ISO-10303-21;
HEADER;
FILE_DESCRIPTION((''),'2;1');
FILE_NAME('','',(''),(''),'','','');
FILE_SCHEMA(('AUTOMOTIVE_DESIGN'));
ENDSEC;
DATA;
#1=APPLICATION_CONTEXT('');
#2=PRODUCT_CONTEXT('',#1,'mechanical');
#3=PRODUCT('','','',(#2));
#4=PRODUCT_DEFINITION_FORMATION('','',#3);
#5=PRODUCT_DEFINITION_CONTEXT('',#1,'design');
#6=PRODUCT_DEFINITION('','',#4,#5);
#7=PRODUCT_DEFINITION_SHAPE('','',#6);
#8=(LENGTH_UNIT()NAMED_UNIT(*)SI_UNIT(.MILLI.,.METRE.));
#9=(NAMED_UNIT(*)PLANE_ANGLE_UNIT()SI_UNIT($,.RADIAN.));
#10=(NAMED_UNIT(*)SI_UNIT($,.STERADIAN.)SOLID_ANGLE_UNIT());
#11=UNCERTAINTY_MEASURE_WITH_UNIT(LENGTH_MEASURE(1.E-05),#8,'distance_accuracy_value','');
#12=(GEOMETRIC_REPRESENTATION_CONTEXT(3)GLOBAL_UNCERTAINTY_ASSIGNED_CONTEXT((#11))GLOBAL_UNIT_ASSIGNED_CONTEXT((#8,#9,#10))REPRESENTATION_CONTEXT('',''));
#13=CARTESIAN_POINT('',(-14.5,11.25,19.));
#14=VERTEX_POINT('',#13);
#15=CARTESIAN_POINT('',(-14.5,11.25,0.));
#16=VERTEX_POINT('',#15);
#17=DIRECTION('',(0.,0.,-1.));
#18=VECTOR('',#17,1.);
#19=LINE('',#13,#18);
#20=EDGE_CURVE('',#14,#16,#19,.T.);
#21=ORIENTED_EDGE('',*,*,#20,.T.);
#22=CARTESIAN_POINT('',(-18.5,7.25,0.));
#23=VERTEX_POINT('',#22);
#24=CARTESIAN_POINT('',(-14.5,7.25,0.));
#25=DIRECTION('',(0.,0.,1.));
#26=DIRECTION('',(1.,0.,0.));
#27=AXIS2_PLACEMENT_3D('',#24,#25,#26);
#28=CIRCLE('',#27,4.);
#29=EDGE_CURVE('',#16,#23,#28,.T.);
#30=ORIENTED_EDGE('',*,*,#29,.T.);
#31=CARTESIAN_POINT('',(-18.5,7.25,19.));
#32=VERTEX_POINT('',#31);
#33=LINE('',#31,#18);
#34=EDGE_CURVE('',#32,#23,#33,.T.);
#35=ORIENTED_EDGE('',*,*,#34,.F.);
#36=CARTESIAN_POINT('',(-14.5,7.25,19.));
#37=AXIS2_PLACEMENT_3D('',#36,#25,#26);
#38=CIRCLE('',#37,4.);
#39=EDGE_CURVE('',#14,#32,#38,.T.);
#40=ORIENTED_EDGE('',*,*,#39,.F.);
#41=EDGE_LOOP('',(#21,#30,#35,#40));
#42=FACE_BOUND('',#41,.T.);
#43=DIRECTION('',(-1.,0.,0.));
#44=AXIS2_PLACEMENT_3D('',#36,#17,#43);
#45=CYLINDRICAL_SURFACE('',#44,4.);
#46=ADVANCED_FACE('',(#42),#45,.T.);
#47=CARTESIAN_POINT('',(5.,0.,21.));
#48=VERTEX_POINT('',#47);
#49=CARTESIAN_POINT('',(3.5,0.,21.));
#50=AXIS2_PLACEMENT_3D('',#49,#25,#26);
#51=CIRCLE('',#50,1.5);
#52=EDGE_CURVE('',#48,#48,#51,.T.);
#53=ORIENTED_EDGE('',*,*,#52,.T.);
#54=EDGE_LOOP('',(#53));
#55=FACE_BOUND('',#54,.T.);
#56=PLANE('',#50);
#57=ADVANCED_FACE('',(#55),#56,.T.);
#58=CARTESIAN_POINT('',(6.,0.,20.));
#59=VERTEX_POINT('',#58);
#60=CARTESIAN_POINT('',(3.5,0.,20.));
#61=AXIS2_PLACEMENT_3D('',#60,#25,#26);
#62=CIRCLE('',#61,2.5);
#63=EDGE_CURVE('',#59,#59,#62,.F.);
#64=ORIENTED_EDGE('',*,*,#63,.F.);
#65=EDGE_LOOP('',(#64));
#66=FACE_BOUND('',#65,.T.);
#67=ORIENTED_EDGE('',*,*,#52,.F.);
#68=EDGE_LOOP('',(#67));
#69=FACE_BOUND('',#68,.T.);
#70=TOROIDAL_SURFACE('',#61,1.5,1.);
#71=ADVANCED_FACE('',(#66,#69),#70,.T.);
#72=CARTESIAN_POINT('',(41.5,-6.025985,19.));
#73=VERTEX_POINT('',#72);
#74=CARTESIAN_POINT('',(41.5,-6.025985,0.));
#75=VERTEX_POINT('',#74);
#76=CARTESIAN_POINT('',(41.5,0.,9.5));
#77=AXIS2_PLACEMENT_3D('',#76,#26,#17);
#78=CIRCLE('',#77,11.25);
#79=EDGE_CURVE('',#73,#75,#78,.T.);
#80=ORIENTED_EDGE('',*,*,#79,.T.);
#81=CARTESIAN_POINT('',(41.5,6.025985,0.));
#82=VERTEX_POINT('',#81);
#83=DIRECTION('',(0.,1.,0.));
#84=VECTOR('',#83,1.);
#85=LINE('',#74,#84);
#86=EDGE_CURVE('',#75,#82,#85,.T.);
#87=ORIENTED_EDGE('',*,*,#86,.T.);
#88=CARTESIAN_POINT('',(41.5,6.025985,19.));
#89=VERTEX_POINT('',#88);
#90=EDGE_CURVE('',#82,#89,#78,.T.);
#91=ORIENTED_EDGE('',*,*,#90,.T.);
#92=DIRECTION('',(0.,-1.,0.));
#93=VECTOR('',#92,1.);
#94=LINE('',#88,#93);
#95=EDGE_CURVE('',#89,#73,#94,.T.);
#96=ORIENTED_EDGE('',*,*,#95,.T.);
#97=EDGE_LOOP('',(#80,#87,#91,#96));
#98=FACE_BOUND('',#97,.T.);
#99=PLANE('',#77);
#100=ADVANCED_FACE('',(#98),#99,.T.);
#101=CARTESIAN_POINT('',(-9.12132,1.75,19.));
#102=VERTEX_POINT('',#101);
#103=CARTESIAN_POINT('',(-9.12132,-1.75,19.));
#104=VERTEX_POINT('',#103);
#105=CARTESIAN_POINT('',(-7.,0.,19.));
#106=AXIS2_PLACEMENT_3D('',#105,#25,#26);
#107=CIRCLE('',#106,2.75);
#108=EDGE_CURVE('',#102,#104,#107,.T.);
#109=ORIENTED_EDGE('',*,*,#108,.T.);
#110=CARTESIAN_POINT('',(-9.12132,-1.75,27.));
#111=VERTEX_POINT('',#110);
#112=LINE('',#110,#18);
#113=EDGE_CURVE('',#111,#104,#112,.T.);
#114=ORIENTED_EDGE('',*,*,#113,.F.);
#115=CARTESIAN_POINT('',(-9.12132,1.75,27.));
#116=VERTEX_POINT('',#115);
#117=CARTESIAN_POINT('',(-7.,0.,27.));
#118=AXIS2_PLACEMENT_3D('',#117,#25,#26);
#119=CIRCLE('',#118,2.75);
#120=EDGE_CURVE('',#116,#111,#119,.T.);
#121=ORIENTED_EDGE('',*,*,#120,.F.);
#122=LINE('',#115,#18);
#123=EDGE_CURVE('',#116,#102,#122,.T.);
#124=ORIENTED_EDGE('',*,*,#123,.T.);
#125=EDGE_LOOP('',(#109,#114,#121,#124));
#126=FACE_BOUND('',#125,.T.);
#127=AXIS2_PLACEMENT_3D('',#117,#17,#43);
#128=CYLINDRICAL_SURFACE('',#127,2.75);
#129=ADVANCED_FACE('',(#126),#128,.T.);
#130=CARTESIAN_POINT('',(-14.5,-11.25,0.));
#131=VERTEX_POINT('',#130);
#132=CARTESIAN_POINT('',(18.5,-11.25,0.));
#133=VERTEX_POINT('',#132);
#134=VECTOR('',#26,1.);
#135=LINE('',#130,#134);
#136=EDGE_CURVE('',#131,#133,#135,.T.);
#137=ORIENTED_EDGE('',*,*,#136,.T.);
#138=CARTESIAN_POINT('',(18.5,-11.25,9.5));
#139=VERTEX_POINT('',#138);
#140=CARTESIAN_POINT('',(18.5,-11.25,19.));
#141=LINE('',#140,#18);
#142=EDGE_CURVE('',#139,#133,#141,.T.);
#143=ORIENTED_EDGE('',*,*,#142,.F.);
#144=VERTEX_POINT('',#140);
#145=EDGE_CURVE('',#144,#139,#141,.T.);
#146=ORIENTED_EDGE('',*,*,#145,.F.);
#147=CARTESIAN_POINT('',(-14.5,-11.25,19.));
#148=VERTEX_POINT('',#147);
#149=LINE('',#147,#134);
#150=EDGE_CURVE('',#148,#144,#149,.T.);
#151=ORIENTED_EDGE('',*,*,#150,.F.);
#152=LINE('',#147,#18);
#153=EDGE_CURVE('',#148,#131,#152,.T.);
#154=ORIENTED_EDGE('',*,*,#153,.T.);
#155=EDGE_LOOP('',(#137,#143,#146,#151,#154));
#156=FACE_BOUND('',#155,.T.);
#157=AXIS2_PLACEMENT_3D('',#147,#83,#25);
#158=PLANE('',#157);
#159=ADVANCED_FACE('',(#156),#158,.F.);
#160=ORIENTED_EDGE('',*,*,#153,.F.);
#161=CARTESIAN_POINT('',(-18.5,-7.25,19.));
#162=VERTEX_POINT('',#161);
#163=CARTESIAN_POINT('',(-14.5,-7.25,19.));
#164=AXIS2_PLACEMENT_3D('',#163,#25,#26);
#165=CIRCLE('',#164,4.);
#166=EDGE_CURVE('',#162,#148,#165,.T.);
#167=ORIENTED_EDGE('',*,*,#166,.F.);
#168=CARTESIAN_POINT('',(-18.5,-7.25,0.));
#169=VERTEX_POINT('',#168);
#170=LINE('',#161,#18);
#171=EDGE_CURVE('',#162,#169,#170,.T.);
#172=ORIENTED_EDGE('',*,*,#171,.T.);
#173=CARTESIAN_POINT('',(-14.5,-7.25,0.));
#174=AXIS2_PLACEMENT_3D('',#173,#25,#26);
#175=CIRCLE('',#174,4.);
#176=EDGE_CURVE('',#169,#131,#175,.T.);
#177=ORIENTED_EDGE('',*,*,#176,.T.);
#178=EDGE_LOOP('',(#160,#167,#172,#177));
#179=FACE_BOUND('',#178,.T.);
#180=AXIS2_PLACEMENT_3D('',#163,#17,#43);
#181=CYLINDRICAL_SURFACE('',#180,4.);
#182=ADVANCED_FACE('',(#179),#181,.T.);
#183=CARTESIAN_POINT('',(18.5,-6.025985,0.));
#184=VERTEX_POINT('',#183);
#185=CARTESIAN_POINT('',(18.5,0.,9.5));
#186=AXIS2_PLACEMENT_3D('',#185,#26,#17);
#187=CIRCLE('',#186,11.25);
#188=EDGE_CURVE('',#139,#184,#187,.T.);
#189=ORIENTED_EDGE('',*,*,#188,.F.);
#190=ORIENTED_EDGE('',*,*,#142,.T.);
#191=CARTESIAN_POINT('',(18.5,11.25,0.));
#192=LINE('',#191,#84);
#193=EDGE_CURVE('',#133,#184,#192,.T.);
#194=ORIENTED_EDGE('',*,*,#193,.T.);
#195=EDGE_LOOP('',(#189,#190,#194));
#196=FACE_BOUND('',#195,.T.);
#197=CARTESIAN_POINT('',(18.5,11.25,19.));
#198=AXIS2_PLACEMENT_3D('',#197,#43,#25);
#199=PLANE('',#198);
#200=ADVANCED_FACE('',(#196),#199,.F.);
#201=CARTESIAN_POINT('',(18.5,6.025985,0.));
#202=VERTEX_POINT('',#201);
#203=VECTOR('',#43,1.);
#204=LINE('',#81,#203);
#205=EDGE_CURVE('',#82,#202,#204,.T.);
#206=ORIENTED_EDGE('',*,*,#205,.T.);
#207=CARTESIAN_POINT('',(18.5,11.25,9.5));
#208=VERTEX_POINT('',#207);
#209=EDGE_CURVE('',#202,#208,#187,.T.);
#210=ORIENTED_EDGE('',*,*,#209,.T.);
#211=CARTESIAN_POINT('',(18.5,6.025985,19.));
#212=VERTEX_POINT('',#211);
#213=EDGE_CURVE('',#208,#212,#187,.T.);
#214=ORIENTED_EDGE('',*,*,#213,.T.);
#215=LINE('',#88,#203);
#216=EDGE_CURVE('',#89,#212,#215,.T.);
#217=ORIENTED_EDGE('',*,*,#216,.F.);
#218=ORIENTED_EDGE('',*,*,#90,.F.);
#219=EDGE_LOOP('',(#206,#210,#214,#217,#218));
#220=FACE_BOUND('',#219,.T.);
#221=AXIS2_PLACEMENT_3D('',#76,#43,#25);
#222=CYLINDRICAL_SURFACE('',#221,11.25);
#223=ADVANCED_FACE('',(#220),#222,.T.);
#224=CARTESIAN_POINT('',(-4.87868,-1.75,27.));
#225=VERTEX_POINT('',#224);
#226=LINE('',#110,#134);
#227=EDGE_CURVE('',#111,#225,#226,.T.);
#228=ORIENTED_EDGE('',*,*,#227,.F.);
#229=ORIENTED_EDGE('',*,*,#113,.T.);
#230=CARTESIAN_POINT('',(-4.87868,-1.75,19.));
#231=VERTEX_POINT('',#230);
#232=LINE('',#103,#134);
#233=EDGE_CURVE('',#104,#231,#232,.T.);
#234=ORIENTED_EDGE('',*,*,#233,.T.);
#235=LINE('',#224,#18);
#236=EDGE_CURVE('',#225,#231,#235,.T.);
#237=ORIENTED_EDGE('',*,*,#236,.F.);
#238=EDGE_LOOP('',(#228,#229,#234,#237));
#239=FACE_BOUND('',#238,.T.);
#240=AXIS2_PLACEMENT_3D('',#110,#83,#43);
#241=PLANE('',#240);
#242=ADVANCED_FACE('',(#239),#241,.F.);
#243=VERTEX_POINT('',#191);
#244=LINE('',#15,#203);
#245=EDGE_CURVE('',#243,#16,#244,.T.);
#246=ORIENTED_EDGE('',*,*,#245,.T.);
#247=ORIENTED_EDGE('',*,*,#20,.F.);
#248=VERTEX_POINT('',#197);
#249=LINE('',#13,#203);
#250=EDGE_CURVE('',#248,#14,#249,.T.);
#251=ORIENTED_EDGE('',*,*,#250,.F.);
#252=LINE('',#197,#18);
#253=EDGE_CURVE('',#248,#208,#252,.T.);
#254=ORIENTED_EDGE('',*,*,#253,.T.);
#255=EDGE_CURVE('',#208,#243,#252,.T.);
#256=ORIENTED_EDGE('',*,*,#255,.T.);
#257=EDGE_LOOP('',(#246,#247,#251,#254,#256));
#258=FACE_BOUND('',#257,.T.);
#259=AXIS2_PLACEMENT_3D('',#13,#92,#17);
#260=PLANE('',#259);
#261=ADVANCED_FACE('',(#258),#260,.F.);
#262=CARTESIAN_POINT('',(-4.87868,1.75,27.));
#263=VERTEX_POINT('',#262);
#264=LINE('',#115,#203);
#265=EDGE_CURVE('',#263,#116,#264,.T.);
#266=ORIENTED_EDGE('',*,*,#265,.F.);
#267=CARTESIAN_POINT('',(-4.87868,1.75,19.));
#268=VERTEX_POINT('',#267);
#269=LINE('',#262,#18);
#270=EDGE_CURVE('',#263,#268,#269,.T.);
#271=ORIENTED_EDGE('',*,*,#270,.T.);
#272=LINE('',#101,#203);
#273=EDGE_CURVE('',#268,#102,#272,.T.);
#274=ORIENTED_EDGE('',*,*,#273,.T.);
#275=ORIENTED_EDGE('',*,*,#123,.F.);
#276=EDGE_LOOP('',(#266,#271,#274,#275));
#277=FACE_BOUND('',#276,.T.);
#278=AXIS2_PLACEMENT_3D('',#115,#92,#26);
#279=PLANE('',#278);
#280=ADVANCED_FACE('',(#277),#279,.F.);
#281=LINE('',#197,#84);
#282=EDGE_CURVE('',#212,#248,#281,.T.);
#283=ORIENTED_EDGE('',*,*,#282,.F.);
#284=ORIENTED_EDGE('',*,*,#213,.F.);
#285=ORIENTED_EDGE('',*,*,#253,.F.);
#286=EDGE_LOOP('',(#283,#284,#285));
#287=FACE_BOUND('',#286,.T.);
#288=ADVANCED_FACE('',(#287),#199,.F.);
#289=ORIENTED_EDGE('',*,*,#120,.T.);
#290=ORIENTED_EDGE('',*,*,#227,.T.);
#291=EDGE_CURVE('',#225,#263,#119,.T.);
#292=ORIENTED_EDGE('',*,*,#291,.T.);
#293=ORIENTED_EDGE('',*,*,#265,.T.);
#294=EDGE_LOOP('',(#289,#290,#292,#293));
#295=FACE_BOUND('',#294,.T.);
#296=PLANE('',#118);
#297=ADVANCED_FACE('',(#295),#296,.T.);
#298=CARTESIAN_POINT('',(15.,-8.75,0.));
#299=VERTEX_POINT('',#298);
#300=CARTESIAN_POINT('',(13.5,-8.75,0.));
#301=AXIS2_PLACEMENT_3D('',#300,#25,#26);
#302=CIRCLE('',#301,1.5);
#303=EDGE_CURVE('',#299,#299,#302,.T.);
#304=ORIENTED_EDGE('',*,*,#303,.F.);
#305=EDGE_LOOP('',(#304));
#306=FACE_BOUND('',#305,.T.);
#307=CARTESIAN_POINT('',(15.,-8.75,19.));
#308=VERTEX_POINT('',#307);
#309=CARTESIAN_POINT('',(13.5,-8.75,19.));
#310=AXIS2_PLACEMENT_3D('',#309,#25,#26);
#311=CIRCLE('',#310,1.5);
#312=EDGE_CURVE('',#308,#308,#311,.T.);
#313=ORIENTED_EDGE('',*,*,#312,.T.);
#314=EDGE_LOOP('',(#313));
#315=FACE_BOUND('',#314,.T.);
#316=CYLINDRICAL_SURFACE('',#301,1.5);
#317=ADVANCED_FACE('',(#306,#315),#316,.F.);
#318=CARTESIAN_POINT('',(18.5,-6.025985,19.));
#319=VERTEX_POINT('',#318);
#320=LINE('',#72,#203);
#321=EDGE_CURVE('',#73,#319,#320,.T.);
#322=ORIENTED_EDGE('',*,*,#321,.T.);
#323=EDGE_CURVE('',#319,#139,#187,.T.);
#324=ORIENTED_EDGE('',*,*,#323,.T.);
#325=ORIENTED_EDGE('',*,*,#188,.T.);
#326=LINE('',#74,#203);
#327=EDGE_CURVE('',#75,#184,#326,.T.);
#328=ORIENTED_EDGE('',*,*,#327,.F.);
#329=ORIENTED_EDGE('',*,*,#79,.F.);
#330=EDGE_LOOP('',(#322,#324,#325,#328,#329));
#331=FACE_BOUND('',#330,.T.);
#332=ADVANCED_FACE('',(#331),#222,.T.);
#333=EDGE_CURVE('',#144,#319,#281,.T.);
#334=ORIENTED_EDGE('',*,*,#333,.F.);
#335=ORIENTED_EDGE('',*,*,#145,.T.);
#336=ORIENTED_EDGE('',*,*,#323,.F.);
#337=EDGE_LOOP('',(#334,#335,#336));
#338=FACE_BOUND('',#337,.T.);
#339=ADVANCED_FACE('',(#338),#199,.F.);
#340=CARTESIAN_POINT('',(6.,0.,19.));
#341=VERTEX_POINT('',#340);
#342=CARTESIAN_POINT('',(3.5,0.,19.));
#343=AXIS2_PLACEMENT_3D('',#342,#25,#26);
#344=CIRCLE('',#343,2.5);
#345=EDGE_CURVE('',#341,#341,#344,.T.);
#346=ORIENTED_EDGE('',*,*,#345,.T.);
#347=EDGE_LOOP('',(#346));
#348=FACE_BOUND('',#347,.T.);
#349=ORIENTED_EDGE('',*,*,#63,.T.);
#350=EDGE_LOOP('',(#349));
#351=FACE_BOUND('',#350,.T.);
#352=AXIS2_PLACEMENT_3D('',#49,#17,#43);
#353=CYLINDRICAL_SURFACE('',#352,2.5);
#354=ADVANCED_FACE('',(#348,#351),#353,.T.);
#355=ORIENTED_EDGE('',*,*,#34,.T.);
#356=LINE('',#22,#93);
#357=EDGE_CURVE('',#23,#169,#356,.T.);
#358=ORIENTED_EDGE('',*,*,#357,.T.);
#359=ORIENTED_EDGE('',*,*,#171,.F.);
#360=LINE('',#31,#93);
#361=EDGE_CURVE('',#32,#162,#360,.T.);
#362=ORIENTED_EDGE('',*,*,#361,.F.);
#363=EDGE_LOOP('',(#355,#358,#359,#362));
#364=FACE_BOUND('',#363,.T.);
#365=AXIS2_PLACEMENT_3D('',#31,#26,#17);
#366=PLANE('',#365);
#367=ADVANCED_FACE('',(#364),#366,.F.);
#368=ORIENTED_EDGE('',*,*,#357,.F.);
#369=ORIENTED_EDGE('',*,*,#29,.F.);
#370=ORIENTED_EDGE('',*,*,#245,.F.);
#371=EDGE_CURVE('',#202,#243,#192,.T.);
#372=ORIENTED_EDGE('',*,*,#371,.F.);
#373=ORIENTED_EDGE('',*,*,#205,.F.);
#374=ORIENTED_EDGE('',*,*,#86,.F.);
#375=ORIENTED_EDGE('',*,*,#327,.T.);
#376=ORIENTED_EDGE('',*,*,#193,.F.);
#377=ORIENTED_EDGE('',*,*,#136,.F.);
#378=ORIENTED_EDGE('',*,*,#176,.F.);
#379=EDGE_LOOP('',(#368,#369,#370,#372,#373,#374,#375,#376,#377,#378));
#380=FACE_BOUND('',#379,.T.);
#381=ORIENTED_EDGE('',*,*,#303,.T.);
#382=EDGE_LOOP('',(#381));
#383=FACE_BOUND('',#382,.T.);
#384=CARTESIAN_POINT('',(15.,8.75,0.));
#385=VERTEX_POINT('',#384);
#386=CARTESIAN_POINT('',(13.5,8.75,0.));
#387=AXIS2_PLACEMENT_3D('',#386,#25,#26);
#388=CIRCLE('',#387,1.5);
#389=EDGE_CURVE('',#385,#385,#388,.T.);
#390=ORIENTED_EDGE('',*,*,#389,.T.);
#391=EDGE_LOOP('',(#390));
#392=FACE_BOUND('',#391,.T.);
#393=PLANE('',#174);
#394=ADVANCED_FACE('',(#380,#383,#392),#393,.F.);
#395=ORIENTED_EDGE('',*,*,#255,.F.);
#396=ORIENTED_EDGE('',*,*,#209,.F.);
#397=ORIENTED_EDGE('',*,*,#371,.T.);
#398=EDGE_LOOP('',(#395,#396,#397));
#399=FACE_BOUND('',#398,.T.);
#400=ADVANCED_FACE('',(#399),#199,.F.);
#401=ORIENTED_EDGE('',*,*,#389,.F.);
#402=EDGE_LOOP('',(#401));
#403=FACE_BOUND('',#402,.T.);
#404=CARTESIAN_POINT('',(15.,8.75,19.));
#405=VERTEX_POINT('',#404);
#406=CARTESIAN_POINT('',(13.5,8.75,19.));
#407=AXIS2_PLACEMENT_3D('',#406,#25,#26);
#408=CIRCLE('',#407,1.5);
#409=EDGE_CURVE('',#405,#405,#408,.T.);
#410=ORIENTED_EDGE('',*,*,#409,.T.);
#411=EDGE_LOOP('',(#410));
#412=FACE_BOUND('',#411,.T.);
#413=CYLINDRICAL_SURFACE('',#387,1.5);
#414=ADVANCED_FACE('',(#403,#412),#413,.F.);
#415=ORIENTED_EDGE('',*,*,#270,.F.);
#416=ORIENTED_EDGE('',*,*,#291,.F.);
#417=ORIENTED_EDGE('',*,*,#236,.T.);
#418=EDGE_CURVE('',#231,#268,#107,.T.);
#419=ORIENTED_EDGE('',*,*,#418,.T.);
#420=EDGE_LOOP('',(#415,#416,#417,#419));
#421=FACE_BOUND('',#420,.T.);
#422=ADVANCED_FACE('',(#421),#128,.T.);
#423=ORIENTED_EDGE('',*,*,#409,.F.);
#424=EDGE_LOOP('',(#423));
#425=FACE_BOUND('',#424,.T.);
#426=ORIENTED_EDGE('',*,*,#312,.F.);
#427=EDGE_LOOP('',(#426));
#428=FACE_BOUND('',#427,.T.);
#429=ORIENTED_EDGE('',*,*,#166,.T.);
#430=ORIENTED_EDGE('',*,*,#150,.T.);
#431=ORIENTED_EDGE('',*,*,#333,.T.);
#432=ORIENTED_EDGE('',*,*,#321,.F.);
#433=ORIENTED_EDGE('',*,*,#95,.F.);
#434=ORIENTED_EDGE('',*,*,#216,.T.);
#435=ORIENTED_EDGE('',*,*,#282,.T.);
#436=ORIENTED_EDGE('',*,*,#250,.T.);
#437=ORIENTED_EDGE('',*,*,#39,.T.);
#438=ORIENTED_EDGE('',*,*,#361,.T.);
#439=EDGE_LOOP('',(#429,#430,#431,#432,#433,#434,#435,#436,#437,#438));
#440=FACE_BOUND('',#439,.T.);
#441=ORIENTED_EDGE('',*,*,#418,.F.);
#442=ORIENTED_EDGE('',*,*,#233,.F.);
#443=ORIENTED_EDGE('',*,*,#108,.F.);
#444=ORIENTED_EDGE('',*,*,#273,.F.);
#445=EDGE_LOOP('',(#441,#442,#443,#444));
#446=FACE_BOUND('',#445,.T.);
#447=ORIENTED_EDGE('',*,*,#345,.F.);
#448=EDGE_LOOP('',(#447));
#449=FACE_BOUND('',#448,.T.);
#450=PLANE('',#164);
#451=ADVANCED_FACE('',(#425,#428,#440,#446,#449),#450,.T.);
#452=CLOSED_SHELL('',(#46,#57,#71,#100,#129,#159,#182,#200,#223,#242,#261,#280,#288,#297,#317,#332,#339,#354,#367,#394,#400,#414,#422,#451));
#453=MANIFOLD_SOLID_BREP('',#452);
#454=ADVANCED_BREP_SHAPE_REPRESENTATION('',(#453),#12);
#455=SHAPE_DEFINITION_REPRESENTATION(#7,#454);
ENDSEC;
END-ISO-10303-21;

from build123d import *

# Parameters (mm, degrees)
BOSS_EXTRUDE1_DEPTH = 19
BOSS_EXTRUDE2_DEPTH = 23
BOSS_EXTRUDE3_DEPTH = 8
SKETCH4_R           = 2.5
BOSS_EXTRUDE4_DEPTH = 2
FILLET1_R           = 1
SKETCH5_R           = 1.5
CUT_EXTRUDE1_DEPTH  = 48.008642822


with BuildPart() as part:
    # Sketch1 → Boss-Extrude1 (new body)
    with BuildSketch(Plane.XY):
        with BuildLine():
            Line((-14.5, 11.25), (18.5, 11.25))
            Line((18.5, 11.25), (18.5, -11.25))
            Line((18.5, -11.25), (-14.5, -11.25))
            ThreePointArc((-14.5, -11.25), (-17.328427125, -10.078427125), (-18.5, -7.25))
            Line((-18.5, -7.25), (-18.5, 7.25))
            ThreePointArc((-18.5, 7.25), (-17.328427125, 10.078427125), (-14.5, 11.25))
        make_face()
    extrude(amount=BOSS_EXTRUDE1_DEPTH)

    # Sketch2 → Boss-Extrude2 (add)
    with BuildSketch(Plane(origin=(18.5, 0, 0), x_dir=(0, 0, -1), z_dir=(1, 0, 0))):
        with BuildLine():
            Line((-19, 6.025985397), (-19, -6.025985397))
            ThreePointArc((-19, -6.025985397), (-9.5, -11.25), (0, -6.025985397))
            Line((0, -6.025985397), (0, 6.025985397))
            ThreePointArc((0, 6.025985397), (-9.5, 11.25), (-19, 6.025985397))
        make_face()
    extrude(amount=BOSS_EXTRUDE2_DEPTH)

    # Sketch3 → Boss-Extrude3 (add)
    with BuildSketch(Plane.XY.offset(19)):
        with BuildLine():
            Line((-9.121320344, 1.75), (-4.878679656, 1.75))
            ThreePointArc((-4.878679656, 1.75), (-4.25, 0), (-4.878679656, -1.75))
            Line((-4.878679656, -1.75), (-9.121320344, -1.75))
            ThreePointArc((-9.121320344, -1.75), (-9.75, 0), (-9.121320344, 1.75))
        make_face()
    extrude(amount=BOSS_EXTRUDE3_DEPTH)

    # Sketch4 → Boss-Extrude4 (add)
    with BuildSketch(Plane.XY.offset(19)):
        with Locations((3.5, 0)):
            Circle(SKETCH4_R)
    extrude(amount=BOSS_EXTRUDE4_DEPTH)

    # Fillet1
    fillet1_edges = [part.edges().sort_by_distance(p)[0] for p in [
        (1, 0, 21),
    ]]
    fillet(fillet1_edges, radius=FILLET1_R)

    # Sketch5 → Cut-Extrude1 (cut, through all)
    with BuildSketch(Plane.XY.offset(19)):
        with Locations((13.5, 8.75)):
            Circle(SKETCH5_R)
        with Locations((13.5, -8.75)):
            Circle(SKETCH5_R)
    extrude(amount=-CUT_EXTRUDE1_DEPTH, mode=Mode.SUBTRACT)


solid = part.part
